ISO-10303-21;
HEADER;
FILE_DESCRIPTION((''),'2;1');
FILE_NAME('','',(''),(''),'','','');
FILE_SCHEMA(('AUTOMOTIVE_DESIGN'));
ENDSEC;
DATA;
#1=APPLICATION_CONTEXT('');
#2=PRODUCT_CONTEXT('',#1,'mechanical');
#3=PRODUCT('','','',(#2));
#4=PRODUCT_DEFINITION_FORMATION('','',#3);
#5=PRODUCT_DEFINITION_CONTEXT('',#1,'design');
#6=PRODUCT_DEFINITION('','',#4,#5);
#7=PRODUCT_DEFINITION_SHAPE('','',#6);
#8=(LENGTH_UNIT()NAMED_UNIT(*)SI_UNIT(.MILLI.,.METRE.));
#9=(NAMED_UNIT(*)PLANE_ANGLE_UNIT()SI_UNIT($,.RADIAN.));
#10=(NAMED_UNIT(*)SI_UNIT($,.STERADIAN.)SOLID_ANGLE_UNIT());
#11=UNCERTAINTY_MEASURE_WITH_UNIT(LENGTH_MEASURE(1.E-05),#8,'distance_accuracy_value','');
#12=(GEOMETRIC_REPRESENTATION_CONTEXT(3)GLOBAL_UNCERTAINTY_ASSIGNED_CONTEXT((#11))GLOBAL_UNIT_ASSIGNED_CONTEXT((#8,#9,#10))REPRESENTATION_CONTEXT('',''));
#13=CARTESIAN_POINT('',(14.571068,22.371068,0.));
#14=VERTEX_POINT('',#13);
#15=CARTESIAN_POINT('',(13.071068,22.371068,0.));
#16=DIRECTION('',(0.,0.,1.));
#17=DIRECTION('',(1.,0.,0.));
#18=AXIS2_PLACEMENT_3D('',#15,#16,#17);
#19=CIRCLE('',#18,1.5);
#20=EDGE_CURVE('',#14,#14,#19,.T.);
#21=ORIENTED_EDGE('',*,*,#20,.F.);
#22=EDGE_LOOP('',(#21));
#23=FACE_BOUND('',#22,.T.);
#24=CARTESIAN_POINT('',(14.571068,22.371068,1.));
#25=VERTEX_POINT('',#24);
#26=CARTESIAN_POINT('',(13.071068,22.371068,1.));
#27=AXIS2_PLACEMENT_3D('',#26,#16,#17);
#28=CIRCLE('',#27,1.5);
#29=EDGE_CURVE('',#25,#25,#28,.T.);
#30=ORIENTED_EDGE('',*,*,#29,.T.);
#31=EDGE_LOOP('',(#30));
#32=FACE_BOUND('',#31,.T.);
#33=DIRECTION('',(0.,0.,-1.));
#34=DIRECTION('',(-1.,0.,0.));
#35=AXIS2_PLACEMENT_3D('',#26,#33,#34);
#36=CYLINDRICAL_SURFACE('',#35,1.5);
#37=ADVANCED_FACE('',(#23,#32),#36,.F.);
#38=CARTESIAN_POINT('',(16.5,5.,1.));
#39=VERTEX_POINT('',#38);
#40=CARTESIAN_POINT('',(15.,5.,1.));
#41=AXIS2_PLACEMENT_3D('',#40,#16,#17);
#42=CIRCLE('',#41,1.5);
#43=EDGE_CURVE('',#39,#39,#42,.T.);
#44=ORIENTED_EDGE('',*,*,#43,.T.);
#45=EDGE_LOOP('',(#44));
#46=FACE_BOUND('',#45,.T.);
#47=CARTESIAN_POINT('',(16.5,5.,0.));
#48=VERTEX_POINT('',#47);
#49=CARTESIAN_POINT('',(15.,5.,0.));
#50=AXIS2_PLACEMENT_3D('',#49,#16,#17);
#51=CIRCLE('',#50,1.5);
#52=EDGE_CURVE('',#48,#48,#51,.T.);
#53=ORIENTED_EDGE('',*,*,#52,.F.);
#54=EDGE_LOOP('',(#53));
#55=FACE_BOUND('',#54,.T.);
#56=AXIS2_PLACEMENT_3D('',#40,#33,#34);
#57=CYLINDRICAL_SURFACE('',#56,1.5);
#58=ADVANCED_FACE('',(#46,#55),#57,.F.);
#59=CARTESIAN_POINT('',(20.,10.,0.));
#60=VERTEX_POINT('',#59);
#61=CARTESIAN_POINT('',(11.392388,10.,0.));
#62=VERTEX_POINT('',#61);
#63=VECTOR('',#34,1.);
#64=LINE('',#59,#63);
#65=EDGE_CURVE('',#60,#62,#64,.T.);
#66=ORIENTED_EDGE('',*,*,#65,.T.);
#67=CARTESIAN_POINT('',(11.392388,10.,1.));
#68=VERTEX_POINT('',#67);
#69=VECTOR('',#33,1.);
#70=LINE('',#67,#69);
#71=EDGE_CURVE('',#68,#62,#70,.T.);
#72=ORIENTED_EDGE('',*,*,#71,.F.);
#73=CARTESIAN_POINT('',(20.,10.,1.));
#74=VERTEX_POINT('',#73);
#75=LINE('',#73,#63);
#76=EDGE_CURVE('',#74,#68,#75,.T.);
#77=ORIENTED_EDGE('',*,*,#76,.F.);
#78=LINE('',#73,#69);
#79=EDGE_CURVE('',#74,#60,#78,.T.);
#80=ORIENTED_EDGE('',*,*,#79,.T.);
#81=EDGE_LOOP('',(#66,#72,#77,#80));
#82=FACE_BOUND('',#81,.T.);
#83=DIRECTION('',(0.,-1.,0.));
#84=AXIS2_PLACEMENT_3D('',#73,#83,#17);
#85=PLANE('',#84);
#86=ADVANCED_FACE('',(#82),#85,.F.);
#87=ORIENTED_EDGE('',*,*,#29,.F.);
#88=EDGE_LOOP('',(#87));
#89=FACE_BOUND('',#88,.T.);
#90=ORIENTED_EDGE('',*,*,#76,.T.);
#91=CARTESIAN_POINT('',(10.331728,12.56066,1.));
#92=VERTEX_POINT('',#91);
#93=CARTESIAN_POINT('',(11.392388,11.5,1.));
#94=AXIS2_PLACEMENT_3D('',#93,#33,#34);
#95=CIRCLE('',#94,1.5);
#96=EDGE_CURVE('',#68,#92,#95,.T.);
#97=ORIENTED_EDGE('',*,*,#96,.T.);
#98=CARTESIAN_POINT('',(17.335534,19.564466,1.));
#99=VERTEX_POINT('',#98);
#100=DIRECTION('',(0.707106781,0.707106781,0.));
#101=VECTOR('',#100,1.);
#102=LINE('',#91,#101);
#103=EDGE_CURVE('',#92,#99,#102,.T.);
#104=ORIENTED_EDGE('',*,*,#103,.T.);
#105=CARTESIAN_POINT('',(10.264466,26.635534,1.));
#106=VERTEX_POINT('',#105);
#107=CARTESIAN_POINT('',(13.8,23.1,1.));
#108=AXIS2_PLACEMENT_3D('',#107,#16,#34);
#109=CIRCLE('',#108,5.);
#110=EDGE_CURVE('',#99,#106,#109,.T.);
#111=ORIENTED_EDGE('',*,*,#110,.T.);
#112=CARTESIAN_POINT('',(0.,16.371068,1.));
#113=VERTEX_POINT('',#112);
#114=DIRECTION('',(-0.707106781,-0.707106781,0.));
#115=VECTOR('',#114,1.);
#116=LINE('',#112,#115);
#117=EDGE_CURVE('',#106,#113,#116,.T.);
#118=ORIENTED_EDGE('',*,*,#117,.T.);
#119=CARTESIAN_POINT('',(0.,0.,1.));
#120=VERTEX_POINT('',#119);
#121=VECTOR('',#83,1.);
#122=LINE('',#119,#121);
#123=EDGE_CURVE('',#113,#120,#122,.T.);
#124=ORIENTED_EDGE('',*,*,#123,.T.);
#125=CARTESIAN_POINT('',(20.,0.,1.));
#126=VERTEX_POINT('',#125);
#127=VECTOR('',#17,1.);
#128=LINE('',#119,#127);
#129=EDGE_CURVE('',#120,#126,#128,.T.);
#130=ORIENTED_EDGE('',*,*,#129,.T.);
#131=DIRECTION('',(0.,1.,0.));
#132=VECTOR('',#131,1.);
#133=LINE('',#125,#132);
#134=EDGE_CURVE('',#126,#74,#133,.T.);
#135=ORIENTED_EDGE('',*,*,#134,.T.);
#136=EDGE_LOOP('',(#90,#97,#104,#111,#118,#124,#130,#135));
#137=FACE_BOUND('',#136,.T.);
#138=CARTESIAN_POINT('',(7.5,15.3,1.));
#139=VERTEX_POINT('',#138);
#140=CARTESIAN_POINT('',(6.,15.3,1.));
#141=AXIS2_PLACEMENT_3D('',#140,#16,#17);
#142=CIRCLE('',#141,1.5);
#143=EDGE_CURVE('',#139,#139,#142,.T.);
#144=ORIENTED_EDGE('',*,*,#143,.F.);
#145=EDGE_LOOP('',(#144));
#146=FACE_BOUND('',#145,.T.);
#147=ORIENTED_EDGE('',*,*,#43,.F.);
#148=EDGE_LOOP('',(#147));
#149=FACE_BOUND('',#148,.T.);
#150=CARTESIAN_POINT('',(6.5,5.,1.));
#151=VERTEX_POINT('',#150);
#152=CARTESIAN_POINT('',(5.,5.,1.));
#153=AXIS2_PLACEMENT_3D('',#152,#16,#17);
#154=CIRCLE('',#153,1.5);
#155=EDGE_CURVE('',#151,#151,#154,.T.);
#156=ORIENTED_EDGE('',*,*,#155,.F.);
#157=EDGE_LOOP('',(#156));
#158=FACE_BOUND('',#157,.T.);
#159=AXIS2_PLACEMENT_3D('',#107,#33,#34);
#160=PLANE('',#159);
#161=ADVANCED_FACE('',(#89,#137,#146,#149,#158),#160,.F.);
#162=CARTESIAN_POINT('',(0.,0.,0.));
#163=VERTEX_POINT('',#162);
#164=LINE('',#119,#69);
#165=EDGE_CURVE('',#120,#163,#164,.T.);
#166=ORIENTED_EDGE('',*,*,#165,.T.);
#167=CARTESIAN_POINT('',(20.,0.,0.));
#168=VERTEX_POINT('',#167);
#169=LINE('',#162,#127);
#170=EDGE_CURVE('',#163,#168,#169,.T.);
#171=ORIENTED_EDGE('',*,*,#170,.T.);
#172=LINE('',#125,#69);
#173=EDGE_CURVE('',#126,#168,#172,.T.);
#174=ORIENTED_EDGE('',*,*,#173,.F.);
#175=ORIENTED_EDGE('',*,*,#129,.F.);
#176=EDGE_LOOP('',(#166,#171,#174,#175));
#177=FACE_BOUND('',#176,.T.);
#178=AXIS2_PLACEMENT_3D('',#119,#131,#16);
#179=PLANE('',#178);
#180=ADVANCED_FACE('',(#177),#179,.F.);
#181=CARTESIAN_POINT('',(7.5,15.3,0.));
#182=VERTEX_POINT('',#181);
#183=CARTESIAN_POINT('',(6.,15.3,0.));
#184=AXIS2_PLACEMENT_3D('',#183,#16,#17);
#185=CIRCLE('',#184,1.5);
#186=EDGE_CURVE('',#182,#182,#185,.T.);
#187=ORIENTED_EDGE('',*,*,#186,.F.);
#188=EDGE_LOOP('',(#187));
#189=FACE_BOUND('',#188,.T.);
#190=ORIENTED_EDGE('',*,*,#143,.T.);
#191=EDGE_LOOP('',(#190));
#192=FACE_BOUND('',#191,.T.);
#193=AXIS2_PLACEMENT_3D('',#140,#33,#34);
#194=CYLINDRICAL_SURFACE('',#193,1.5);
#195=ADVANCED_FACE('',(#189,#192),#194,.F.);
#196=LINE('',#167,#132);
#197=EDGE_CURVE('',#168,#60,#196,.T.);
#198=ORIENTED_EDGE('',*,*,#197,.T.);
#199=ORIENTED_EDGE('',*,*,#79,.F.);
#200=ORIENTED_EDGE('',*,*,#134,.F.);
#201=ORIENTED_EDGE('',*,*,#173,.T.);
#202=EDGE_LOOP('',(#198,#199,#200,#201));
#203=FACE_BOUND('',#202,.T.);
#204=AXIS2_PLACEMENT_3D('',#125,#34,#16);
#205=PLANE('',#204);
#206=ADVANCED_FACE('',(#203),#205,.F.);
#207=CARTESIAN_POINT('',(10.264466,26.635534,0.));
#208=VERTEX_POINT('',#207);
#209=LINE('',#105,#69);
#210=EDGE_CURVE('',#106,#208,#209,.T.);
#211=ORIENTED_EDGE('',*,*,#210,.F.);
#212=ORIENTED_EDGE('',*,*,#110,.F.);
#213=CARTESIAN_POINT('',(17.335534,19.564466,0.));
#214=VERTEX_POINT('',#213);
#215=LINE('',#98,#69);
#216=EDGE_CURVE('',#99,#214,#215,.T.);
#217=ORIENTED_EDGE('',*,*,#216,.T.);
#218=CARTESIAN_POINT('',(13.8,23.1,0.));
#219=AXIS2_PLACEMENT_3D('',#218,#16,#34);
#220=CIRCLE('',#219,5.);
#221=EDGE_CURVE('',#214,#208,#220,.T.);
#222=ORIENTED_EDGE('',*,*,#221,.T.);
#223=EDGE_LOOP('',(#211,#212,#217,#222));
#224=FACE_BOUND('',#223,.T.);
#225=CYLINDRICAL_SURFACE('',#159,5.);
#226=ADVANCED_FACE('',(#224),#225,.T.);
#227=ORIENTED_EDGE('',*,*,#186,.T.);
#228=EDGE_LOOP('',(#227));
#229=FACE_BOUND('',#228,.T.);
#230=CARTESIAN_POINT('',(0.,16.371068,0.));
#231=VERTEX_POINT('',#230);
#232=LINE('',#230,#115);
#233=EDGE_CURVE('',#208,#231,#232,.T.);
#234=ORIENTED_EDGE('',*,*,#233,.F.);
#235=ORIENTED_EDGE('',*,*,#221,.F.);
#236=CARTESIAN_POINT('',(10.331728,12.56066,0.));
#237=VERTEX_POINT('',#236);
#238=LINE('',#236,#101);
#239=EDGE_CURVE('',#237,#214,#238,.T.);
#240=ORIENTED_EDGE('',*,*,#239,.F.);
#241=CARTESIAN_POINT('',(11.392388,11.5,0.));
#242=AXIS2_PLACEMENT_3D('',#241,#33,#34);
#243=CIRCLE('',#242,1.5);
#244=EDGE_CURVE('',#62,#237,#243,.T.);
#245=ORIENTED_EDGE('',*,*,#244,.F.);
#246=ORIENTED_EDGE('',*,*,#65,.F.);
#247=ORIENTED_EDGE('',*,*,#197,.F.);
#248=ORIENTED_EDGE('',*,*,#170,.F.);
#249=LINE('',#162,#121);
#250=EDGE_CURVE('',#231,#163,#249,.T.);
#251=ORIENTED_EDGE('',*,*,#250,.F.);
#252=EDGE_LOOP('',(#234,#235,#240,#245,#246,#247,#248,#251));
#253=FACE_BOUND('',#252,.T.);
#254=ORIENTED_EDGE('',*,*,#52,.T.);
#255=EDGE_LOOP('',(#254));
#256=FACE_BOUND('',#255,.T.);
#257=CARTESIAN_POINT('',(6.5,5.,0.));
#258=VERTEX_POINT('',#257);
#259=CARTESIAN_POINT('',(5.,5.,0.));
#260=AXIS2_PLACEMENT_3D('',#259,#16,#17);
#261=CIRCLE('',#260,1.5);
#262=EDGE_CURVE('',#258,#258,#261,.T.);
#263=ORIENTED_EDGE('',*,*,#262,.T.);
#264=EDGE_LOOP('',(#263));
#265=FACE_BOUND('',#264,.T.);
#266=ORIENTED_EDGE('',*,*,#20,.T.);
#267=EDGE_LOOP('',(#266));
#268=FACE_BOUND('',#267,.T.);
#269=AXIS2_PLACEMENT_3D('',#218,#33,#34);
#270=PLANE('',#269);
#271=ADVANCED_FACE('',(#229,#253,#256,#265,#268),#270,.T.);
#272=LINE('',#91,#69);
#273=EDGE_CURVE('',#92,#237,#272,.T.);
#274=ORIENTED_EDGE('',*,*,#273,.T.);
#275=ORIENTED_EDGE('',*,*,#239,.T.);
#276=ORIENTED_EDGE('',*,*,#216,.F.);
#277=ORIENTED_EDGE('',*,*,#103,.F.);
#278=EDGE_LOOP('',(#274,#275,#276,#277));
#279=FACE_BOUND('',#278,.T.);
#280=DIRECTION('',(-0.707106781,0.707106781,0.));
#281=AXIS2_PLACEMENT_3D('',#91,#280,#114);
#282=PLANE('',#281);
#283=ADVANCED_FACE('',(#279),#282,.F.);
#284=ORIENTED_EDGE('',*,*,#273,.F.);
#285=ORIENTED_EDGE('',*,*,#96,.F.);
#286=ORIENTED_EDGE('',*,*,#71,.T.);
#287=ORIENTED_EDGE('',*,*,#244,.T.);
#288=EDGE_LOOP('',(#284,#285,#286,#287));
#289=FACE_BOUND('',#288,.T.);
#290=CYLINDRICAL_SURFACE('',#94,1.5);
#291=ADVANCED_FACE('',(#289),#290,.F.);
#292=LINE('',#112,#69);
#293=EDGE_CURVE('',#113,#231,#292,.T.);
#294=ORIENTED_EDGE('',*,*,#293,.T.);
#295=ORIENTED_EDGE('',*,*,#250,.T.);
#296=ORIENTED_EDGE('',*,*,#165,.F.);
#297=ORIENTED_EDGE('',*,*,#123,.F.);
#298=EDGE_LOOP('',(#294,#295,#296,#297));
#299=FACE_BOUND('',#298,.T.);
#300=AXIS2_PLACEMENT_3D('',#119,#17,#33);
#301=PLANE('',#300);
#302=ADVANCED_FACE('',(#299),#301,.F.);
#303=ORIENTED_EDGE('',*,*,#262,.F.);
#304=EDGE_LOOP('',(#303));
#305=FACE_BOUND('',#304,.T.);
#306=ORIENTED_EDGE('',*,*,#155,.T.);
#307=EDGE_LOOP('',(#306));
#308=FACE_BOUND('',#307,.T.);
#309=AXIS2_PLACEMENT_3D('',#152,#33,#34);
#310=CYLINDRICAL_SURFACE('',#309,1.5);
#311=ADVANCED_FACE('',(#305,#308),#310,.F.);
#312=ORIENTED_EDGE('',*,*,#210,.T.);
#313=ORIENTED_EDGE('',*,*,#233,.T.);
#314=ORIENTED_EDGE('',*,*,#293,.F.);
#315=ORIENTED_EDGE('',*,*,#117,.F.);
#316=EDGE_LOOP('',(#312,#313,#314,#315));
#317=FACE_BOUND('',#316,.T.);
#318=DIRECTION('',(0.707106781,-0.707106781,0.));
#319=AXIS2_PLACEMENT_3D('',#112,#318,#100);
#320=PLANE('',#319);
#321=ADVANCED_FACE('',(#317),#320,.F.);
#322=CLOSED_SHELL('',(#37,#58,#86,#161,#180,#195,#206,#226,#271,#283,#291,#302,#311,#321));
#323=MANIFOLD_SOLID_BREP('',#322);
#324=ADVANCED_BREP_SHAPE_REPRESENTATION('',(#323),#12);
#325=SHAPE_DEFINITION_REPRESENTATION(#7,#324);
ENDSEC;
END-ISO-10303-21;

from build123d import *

# Parameters (mm, degrees)
ESQUISSE1_R        = 1.5
BOSS_EXTRU_1_DEPTH = 1


with BuildPart() as part:
    # Esquisse1 → Boss.-Extru.1 (new body)
    with BuildSketch(Plane.XY):
        with BuildLine():
            Line((0, 0), (20, 0))
            Line((20, 0), (20, 10))
            Line((20, 10), (11.392388155, 10))
            ThreePointArc((11.392388155, 10), (10.006568857, 10.925974851), (10.331727984, 12.560660172))
            Line((10.331727984, 12.560660172), (17.335533906, 19.564466094))
            ThreePointArc((17.335533906, 19.564466094), (17.335533906, 26.635533906), (10.264466094, 26.635533906))
            Line((10.264466094, 26.635533906), (0, 16.371067812))
            Line((0, 16.371067812), (0, 0))
        make_face()
        with Locations((5, 5)):
            Circle(ESQUISSE1_R, mode=Mode.SUBTRACT)
        with Locations((15, 5)):
            Circle(ESQUISSE1_R, mode=Mode.SUBTRACT)
        with Locations((6, 15.3)):
            Circle(ESQUISSE1_R, mode=Mode.SUBTRACT)
        with Locations((13.071067812, 22.371067812)):
            Circle(ESQUISSE1_R, mode=Mode.SUBTRACT)
    extrude(amount=BOSS_EXTRU_1_DEPTH)


solid = part.part
